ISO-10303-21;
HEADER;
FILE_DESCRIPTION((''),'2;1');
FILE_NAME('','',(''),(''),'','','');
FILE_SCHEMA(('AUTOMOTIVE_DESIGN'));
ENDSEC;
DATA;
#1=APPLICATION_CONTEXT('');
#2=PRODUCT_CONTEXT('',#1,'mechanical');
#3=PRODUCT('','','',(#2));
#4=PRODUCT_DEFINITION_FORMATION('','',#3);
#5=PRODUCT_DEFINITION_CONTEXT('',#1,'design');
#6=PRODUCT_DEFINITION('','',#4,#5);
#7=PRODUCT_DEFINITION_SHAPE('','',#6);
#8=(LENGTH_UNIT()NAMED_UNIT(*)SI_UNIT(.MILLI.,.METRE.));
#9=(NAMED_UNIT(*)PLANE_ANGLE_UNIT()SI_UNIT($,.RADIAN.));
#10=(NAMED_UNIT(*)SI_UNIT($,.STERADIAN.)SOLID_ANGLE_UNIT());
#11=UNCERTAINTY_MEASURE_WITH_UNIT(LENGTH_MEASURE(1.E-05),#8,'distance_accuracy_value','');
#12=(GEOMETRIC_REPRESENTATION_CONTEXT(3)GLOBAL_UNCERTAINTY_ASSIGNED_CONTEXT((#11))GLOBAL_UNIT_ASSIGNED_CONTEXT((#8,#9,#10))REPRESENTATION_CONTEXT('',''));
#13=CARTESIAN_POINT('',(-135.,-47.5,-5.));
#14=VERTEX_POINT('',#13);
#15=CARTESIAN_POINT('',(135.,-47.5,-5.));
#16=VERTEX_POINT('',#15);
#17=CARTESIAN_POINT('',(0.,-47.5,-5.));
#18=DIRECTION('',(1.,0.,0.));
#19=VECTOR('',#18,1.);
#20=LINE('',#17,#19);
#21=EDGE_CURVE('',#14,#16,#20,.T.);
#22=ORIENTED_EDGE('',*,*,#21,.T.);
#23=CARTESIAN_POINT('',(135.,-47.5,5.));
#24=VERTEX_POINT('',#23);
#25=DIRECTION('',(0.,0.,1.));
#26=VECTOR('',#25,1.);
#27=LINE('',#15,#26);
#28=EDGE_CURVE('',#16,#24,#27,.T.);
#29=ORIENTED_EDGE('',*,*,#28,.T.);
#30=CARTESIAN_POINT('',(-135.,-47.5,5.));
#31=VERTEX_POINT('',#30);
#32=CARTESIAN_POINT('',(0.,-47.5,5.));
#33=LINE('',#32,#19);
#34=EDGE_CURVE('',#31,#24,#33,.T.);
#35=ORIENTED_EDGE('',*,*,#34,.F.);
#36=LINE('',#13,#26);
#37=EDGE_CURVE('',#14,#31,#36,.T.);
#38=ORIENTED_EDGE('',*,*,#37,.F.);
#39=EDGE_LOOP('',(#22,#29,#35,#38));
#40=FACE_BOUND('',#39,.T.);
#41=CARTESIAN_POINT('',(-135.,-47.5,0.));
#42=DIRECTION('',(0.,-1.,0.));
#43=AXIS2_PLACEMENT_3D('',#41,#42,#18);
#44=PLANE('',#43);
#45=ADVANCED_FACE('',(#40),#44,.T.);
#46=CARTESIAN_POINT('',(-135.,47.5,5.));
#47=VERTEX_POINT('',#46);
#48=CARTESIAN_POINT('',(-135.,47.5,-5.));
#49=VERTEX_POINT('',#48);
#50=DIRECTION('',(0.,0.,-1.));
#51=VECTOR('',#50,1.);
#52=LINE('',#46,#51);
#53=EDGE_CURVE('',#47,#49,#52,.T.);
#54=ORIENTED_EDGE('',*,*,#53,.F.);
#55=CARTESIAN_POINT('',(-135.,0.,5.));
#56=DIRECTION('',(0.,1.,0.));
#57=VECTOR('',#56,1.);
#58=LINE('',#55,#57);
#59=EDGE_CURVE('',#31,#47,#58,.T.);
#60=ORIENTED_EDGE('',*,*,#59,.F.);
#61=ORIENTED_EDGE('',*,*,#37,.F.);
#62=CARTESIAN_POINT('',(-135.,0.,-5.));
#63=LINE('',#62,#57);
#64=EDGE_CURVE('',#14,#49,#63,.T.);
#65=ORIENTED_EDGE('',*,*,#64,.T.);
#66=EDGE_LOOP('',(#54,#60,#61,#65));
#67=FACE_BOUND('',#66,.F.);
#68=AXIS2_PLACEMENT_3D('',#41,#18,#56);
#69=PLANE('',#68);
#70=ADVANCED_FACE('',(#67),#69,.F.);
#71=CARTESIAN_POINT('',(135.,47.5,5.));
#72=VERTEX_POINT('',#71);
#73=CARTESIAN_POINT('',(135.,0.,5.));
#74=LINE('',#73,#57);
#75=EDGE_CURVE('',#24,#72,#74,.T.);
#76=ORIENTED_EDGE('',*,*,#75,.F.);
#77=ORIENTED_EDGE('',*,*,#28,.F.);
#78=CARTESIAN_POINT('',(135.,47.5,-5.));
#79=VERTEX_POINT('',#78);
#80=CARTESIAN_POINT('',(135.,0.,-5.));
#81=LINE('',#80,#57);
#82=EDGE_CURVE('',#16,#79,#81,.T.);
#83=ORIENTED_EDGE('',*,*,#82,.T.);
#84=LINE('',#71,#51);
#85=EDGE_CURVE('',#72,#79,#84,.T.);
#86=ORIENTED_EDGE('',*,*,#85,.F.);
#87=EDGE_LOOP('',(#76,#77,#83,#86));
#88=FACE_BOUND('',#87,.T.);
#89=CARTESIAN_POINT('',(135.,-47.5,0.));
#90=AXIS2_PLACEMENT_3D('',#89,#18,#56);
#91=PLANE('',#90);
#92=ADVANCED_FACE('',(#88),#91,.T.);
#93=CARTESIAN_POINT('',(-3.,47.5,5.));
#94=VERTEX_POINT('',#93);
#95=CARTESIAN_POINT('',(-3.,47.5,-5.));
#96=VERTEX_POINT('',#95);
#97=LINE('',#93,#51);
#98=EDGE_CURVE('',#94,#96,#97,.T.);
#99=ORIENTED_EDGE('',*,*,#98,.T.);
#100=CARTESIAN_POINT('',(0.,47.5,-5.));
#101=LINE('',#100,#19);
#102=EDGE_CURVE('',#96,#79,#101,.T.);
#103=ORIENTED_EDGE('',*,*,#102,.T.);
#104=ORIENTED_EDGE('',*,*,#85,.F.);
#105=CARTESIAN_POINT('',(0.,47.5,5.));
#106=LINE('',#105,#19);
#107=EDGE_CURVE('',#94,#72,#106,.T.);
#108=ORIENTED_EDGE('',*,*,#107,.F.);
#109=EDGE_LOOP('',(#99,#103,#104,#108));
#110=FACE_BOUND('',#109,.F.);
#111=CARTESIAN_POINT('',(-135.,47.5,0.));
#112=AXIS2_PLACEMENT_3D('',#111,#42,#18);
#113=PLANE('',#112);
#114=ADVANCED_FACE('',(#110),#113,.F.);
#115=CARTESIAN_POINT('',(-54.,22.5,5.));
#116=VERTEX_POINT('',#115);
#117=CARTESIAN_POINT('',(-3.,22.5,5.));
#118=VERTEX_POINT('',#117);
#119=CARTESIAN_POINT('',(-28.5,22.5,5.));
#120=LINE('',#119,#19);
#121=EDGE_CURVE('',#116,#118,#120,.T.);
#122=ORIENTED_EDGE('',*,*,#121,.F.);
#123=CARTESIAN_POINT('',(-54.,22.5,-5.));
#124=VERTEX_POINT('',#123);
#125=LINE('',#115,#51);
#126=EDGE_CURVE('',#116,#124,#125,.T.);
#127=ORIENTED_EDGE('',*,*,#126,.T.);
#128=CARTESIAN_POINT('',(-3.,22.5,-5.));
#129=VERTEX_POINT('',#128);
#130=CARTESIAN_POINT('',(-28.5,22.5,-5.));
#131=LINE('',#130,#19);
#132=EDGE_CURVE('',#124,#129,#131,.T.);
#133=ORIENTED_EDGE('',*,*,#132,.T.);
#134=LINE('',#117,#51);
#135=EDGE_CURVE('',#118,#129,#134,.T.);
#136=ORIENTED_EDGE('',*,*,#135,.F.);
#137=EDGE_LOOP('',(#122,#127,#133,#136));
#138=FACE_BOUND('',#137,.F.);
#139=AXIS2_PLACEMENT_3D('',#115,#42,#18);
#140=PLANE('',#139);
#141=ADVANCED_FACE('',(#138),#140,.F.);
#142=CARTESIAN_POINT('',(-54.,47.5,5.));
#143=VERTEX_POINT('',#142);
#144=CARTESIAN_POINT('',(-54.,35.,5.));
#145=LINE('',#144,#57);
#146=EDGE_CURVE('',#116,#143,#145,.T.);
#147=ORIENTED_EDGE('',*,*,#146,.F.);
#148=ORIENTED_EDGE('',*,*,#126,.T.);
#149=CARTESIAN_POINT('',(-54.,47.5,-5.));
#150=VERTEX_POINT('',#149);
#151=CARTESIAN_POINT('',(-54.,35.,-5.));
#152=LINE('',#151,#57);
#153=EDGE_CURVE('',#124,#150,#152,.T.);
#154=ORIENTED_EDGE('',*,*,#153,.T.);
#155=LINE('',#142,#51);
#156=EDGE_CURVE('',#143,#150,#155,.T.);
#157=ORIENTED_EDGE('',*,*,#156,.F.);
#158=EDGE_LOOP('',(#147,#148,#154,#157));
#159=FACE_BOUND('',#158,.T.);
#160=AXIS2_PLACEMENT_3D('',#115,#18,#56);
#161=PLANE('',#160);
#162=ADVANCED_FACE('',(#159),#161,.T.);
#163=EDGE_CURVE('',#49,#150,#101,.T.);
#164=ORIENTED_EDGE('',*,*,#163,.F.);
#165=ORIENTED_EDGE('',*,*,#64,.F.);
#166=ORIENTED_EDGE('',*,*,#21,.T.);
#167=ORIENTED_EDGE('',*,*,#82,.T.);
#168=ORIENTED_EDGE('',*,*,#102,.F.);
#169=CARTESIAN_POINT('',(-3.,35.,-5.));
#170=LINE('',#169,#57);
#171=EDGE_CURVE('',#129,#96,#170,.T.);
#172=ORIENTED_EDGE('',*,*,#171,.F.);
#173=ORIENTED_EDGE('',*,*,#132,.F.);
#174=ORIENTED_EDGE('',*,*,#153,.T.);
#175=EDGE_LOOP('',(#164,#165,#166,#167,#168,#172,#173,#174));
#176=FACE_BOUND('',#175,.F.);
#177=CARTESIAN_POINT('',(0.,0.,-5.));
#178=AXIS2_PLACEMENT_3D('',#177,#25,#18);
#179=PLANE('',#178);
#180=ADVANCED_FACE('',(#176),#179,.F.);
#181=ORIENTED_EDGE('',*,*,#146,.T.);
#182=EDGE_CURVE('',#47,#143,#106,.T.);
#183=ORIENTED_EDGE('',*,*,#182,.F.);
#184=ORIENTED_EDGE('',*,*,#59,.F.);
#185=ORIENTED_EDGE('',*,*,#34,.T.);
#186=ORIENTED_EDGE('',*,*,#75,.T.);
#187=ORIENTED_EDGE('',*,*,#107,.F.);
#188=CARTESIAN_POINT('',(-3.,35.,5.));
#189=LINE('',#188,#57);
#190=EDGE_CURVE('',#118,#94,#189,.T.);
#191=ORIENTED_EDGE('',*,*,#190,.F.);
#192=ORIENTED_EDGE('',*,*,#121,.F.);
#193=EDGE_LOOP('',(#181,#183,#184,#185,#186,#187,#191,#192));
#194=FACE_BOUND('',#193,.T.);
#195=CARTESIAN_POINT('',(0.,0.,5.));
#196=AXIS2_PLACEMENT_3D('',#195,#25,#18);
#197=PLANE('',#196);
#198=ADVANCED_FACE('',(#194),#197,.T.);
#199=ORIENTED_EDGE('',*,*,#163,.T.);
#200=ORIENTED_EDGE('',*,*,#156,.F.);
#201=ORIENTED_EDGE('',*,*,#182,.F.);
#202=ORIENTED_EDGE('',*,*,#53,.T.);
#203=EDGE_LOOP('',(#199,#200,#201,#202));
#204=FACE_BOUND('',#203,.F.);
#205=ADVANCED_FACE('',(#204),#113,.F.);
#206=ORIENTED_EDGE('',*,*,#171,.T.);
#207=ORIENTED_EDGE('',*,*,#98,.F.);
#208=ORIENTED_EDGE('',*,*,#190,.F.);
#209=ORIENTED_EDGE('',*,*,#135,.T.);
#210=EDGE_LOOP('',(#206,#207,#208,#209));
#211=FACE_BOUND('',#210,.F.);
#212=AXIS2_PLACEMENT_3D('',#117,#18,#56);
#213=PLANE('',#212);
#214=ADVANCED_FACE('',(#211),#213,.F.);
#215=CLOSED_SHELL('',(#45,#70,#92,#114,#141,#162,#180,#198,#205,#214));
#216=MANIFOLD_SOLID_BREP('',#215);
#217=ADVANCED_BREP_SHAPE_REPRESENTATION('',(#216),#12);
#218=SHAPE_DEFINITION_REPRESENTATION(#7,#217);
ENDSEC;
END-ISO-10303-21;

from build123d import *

# Parameters (mm, degrees)
SKETCH1_W           = 270
SKETCH1_H           = 95
BOSS_EXTRUDE1_DEPTH = 5
SKETCH2_W           = 51
SKETCH2_H           = 25
CUT_EXTRUDE1_DEPTH  = 10


with BuildPart() as part:
    # Sketch1 → Boss-Extrude1 (new, symmetric)
    with BuildSketch(Plane.XY):
        Rectangle(SKETCH1_W, SKETCH1_H)
    extrude(amount=BOSS_EXTRUDE1_DEPTH, both=True)

    # Sketch2 → Cut-Extrude1 (cut)
    with BuildSketch(Plane.XY.offset(5)):
        with Locations((-28.5, 35)):
            Rectangle(SKETCH2_W, SKETCH2_H)
    extrude(amount=-CUT_EXTRUDE1_DEPTH, mode=Mode.SUBTRACT)


solid = part.part
